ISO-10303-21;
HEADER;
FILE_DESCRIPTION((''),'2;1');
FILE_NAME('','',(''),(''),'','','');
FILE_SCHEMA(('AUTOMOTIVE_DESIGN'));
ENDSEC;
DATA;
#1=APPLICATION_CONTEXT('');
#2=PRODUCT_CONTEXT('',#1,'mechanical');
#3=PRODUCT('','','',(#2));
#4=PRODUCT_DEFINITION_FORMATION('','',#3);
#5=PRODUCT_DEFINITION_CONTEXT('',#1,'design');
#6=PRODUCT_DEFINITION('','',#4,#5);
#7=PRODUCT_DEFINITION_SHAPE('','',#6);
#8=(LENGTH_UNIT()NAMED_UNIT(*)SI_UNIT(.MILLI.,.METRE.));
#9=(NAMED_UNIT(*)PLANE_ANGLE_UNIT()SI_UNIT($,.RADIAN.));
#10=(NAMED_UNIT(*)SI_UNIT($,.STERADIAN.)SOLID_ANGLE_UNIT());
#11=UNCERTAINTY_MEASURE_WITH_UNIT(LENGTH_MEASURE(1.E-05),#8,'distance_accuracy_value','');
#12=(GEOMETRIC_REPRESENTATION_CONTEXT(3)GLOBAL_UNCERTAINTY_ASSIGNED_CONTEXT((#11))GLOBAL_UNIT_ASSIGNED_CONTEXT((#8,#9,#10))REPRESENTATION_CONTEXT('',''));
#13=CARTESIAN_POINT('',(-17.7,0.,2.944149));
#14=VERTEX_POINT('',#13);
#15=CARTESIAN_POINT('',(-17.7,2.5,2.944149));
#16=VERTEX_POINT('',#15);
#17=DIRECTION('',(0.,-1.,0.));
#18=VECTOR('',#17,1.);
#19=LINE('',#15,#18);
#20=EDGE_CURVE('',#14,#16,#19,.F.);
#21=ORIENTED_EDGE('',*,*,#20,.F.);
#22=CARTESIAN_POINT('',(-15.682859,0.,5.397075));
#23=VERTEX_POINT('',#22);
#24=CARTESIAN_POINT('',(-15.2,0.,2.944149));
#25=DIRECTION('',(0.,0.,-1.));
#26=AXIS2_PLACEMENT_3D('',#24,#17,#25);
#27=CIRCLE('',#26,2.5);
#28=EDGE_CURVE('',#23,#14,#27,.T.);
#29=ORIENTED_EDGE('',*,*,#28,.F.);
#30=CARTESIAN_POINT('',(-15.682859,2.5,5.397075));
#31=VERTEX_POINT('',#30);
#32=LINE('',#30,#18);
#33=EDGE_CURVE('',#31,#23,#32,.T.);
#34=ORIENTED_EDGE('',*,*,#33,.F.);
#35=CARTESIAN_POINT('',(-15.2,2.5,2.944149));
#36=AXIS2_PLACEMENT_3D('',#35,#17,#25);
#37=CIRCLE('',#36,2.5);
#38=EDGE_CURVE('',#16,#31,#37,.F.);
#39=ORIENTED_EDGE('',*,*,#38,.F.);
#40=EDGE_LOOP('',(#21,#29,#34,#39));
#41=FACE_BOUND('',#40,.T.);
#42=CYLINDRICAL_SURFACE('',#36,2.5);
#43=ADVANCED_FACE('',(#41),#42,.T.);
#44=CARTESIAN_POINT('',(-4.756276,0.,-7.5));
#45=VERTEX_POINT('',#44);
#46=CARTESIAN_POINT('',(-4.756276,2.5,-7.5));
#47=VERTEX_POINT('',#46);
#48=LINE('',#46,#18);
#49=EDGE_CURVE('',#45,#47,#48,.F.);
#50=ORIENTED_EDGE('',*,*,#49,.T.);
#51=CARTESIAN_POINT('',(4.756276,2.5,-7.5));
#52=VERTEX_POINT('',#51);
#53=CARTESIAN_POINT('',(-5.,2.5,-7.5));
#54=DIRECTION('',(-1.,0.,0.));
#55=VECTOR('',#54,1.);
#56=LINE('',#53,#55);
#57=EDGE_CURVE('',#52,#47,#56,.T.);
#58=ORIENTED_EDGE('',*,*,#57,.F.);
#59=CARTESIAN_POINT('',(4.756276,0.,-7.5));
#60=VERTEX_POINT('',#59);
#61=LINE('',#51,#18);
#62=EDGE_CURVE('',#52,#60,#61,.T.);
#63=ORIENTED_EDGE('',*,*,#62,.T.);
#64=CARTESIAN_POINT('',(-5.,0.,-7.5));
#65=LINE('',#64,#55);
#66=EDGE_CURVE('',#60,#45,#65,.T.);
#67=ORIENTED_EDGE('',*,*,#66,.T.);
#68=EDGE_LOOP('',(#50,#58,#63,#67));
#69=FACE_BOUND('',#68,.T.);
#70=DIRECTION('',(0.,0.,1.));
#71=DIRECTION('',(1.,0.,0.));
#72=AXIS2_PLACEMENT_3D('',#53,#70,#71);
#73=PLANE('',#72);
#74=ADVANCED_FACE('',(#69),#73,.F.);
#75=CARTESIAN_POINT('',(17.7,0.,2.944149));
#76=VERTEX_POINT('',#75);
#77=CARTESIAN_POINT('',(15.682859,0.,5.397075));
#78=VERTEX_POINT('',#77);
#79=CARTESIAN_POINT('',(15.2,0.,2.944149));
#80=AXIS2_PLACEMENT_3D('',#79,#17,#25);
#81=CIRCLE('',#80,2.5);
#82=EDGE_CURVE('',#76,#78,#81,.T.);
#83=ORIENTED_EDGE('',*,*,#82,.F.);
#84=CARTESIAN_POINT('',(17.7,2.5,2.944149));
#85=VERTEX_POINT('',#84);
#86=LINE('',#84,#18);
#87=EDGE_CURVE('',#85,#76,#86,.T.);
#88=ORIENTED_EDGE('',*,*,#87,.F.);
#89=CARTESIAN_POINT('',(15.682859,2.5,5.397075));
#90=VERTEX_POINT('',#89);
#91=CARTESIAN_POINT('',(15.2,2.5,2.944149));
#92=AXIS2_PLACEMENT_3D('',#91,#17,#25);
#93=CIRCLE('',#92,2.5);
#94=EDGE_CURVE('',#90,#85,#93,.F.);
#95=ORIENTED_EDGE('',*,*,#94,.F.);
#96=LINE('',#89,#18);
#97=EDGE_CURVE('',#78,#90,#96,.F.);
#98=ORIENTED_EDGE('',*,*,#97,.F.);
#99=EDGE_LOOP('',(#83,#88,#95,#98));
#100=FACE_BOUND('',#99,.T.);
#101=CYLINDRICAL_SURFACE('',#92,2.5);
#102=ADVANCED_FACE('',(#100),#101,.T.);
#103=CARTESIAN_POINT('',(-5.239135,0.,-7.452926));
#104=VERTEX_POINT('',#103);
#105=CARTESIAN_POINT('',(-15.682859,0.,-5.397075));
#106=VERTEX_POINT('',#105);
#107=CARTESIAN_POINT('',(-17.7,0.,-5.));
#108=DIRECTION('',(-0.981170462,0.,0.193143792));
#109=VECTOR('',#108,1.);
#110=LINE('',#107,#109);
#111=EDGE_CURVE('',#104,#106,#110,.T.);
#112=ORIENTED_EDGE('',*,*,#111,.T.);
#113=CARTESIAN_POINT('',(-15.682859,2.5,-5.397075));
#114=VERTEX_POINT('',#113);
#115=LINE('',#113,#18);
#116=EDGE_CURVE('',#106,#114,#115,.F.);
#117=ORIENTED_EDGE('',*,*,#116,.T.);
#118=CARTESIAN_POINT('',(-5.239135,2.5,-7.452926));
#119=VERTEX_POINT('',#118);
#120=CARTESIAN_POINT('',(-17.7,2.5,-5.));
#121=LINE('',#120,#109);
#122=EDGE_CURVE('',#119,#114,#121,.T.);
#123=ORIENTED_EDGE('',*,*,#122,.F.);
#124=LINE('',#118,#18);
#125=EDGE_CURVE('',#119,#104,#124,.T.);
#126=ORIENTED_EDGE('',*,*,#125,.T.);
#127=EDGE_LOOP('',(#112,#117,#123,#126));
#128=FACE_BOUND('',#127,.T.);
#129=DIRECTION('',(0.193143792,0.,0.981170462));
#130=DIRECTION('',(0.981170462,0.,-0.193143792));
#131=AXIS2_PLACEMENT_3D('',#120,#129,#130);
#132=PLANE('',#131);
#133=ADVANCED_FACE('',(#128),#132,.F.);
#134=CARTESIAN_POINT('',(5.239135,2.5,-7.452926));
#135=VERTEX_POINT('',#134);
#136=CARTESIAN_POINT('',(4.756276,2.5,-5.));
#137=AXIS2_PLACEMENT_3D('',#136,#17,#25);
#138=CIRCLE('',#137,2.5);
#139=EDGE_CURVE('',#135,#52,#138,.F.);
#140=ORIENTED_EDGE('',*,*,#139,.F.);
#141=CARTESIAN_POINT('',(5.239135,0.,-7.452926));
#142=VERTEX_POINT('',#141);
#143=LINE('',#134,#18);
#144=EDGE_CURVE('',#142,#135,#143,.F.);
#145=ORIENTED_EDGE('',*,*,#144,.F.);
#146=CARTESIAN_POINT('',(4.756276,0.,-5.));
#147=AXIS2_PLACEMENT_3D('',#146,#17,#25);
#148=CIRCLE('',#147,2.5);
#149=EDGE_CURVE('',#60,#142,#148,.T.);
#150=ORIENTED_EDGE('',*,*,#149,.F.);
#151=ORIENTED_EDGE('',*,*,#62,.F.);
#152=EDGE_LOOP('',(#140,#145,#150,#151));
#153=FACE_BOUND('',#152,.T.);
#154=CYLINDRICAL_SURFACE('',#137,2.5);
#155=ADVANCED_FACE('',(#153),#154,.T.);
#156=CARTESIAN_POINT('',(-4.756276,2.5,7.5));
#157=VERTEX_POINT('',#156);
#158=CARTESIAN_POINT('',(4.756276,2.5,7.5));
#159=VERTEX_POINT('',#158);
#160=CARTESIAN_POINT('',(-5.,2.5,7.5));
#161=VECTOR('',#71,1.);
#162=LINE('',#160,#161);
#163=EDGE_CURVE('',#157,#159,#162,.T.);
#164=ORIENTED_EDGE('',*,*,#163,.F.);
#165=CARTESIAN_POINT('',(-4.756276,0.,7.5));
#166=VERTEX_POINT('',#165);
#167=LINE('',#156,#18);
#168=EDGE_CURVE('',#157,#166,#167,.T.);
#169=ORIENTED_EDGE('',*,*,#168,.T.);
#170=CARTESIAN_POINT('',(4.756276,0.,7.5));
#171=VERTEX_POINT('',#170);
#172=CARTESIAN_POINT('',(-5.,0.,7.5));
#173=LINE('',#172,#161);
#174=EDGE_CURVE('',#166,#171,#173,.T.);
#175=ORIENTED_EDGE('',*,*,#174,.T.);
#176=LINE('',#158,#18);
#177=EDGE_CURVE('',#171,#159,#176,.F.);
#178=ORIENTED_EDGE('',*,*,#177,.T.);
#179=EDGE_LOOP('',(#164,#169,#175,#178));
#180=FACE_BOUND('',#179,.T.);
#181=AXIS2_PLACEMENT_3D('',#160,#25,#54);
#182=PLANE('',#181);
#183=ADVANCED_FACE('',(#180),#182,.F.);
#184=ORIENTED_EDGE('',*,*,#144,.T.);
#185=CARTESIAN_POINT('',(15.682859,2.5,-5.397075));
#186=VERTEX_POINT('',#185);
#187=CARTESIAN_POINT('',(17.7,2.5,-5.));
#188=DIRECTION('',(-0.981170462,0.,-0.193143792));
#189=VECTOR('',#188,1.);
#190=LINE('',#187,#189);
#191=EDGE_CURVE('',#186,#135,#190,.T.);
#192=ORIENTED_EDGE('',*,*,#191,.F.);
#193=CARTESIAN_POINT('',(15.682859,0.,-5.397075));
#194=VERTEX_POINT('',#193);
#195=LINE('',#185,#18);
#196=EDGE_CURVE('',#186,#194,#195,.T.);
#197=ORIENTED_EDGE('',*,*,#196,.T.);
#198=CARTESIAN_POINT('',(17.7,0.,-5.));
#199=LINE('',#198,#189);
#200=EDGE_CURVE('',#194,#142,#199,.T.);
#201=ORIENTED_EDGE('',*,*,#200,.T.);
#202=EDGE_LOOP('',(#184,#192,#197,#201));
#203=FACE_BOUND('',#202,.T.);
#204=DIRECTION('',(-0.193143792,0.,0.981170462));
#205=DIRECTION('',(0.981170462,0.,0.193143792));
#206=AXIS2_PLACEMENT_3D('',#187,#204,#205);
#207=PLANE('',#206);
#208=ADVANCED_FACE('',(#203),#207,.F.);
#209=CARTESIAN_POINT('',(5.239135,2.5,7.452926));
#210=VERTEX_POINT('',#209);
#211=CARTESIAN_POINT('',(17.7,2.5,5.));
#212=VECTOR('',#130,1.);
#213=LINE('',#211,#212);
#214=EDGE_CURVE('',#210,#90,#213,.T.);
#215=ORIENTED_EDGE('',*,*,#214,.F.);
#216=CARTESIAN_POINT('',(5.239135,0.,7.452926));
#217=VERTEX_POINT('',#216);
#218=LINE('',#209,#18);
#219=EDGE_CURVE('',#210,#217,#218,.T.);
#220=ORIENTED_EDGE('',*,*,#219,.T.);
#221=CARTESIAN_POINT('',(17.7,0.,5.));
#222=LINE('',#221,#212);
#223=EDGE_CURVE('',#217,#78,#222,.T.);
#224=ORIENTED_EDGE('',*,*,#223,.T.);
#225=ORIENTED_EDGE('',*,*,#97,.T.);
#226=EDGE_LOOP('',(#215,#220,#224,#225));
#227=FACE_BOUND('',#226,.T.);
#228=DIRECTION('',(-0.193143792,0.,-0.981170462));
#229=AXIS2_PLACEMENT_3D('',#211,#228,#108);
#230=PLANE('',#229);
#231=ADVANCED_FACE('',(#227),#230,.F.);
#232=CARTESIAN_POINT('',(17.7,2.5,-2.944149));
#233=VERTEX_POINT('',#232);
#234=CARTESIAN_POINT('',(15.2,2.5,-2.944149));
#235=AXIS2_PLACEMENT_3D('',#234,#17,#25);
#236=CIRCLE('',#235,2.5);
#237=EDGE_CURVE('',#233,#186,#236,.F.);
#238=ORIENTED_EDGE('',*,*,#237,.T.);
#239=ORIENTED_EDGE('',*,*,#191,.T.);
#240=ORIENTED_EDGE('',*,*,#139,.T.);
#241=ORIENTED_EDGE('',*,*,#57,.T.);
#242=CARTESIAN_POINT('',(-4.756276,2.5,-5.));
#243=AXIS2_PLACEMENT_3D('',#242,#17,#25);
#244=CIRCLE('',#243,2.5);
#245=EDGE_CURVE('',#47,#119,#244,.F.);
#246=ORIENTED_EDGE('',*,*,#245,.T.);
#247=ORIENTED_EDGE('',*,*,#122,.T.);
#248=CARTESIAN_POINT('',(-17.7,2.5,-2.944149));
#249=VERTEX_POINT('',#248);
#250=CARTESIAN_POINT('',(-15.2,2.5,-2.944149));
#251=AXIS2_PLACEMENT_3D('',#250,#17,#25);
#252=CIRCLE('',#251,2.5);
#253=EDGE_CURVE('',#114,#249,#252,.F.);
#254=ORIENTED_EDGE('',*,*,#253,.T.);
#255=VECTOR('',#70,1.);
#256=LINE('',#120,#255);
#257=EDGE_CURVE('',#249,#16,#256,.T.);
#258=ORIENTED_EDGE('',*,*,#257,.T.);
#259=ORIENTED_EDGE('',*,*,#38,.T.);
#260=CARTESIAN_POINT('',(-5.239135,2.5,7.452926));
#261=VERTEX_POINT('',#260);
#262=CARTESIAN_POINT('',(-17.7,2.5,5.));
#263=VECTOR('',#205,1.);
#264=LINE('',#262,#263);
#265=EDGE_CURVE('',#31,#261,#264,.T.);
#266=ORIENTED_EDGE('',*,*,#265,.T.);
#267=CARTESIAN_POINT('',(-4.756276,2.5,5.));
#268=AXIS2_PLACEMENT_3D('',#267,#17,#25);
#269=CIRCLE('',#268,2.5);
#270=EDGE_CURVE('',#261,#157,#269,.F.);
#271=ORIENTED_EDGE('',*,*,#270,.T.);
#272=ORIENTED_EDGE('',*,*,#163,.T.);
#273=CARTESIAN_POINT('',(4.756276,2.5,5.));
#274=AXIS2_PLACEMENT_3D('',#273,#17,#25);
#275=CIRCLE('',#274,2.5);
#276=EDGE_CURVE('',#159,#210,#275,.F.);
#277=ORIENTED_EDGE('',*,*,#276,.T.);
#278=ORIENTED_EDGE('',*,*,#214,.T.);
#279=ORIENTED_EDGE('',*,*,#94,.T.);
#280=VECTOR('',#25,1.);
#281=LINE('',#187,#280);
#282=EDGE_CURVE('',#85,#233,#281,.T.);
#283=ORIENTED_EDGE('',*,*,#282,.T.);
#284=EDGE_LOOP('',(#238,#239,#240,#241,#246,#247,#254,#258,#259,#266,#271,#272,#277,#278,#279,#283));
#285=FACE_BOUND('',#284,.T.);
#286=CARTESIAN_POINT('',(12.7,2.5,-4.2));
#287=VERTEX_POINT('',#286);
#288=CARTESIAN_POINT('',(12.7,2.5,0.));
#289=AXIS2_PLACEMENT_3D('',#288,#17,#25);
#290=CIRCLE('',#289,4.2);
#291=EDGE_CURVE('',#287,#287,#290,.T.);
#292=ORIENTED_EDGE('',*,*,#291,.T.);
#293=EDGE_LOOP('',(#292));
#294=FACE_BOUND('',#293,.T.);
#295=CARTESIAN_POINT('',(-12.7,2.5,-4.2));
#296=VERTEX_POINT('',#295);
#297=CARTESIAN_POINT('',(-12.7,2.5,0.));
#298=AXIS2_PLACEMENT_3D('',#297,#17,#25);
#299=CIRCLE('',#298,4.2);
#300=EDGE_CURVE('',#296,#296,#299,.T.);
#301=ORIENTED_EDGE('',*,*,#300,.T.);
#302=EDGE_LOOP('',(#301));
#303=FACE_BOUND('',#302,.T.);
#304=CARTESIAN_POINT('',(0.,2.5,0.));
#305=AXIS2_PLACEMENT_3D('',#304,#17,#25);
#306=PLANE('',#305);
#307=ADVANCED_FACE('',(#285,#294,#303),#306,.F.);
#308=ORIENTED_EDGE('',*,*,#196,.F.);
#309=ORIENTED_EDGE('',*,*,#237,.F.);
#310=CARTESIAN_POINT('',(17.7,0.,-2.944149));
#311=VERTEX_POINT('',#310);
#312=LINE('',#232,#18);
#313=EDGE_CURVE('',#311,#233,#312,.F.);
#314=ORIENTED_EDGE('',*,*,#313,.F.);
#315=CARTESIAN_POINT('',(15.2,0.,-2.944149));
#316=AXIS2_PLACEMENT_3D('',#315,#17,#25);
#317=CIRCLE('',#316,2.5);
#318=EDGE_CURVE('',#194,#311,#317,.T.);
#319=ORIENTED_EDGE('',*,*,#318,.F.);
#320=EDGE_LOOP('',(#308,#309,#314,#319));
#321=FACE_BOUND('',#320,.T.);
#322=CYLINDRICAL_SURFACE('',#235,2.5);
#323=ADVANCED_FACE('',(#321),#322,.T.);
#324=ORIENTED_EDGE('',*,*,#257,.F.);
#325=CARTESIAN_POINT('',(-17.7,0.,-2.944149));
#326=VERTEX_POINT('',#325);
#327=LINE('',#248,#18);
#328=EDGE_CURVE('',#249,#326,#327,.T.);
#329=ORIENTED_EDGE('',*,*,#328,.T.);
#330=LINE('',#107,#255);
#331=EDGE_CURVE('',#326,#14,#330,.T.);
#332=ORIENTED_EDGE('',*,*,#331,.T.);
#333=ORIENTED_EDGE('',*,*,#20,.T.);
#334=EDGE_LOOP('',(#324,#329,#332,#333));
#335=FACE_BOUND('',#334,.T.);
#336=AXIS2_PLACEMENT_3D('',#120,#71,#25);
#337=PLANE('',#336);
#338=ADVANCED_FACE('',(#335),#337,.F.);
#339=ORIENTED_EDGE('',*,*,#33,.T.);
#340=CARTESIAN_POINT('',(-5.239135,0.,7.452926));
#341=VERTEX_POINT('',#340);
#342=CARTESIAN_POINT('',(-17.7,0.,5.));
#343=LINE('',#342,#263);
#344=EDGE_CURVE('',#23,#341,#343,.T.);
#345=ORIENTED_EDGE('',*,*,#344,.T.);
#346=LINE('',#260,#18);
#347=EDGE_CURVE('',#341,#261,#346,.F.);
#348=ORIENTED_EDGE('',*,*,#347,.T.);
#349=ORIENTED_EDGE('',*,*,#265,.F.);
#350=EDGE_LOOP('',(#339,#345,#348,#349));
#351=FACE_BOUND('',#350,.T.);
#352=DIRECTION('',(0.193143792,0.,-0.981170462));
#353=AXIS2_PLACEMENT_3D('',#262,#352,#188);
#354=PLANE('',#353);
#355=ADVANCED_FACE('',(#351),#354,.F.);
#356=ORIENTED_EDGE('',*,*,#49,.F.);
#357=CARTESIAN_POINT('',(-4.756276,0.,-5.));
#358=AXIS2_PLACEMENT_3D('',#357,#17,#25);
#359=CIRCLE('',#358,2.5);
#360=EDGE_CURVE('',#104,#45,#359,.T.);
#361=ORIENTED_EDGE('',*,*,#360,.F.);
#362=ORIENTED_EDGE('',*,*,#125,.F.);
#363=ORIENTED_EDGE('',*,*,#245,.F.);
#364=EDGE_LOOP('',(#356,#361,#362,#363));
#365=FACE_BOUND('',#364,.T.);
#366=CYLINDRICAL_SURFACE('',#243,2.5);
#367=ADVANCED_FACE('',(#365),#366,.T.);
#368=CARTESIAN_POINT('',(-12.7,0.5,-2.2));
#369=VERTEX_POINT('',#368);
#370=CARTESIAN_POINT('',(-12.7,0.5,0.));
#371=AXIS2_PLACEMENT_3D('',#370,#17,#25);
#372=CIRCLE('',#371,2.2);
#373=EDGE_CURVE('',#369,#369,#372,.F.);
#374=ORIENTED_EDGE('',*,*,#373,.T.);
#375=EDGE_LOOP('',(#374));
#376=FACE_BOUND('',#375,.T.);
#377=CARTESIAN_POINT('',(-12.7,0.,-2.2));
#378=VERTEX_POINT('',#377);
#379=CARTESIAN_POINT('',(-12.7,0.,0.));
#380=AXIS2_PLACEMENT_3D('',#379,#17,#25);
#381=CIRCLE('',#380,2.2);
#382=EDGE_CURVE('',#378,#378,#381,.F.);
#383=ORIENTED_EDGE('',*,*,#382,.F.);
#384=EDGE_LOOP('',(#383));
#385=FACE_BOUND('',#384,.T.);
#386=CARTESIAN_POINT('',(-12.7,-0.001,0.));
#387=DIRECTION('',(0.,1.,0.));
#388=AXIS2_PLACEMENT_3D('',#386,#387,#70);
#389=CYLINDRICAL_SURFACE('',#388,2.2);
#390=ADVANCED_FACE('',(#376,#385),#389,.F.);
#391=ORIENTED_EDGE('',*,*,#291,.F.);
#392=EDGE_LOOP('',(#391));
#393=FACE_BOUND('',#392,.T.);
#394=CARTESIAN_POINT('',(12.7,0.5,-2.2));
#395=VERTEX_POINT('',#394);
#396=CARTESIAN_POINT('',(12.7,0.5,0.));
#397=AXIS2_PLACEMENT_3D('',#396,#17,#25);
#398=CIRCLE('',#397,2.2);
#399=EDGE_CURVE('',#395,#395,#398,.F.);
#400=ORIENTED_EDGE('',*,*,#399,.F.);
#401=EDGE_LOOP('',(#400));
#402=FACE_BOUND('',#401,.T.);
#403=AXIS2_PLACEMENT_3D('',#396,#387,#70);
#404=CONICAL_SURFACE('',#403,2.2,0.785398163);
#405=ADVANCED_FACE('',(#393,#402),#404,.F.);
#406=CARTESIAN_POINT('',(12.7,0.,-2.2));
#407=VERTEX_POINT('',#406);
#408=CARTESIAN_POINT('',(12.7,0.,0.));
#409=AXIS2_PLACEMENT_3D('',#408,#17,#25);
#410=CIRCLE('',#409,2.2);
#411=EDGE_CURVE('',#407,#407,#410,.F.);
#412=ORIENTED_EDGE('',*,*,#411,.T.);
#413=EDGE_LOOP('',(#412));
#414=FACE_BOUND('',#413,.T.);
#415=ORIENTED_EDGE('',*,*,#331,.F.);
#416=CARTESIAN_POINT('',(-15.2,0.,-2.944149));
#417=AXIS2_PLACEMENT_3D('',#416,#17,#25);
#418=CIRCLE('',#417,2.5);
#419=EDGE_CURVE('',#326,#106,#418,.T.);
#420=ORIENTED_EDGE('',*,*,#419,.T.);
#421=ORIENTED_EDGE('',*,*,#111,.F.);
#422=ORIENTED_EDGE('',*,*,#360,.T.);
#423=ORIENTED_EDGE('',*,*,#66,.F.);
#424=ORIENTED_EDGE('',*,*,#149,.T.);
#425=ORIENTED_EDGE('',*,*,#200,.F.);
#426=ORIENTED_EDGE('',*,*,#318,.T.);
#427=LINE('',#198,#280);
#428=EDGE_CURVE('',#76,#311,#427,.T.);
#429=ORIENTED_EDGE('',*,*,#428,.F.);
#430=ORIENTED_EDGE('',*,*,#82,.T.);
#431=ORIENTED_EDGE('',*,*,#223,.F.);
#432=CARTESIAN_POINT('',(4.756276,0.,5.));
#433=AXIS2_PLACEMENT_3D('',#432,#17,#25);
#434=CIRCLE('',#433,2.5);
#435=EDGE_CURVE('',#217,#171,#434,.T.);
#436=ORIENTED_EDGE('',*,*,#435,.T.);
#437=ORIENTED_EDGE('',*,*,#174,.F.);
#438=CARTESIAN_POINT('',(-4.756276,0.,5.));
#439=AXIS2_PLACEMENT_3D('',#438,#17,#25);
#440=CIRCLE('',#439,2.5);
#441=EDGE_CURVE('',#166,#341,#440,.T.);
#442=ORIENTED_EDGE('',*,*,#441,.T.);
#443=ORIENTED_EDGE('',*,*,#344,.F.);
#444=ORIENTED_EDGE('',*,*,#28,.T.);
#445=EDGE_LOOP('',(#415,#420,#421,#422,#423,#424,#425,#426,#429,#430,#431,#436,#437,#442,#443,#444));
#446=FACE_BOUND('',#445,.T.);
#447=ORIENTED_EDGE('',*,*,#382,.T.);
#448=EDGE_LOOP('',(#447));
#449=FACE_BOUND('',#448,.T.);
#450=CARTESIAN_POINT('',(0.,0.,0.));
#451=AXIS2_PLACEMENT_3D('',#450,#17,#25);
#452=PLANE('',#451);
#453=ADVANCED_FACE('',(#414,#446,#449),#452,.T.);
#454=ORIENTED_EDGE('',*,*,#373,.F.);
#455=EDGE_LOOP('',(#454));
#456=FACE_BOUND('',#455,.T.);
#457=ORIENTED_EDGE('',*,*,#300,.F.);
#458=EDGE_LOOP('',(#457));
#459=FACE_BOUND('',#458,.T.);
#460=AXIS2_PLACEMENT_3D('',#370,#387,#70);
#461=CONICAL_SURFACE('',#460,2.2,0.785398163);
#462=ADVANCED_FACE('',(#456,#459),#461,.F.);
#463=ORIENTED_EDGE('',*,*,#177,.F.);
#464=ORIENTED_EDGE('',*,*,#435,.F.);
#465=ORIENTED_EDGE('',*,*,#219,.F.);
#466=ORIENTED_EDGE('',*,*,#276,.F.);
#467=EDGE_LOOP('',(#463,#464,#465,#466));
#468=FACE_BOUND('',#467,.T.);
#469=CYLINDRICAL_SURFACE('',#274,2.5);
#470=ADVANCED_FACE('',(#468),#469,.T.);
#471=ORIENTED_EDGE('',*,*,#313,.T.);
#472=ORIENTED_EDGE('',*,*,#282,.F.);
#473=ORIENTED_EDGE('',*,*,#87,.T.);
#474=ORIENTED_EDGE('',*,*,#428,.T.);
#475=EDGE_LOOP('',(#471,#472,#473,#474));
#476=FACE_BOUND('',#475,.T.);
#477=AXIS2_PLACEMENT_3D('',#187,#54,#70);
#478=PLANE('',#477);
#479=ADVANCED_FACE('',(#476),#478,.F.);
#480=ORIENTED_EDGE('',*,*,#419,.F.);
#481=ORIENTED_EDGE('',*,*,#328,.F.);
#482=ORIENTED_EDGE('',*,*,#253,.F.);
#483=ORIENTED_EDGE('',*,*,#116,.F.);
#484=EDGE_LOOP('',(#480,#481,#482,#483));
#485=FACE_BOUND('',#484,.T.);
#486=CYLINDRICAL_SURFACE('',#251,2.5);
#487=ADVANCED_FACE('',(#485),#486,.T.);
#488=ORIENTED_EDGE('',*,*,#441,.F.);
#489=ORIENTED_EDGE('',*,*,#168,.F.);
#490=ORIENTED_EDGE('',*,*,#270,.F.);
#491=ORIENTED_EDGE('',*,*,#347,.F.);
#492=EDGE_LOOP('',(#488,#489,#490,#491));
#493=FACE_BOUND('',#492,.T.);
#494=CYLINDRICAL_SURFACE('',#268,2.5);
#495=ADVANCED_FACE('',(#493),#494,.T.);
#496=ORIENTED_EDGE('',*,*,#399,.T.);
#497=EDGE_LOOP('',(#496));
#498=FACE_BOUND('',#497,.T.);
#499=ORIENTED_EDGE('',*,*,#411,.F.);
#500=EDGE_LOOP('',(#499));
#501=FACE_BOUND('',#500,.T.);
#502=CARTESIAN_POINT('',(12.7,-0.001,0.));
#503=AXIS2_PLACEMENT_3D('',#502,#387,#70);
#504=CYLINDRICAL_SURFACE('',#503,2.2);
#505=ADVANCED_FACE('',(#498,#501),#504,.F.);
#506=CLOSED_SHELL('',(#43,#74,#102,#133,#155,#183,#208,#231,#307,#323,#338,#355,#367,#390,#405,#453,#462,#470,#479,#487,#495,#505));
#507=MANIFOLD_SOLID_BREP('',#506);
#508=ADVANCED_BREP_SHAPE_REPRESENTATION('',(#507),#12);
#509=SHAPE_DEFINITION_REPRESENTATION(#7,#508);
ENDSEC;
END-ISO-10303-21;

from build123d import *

# Parameters (mm, degrees)
BOSS_EXTRUDE1_DEPTH = 2.5
CUT_EXTRUDE2_REACH  = 21.385
SKETCH2_R           = 2.2
CHAMFER1_SIZE       = 2
FILLET1_R           = 2.5


with BuildPart() as part:
    # Sketch1 → Boss-Extrude1 (new body)
    with BuildSketch(Plane(origin=(0, 0, 0), x_dir=(1, 0, 0), z_dir=(0, 1, 0))):
        Polygon((-17.7, -5), (-5, -7.5), (5, -7.5), (17.7, -5), (17.7, 5), (5, 7.5), (-5, 7.5), (-17.7, 5), align=None)
    extrude(amount=BOSS_EXTRUDE1_DEPTH)

    # Sketch2 → Cut-Extrude2 (cut, up to next)
    with BuildSketch(Plane(origin=(0, 2.5, 0), x_dir=(1, 0, 0), z_dir=(0, 1, 0)), mode=Mode.PRIVATE) as cut_extrude2_sk1:
        with Locations(Location((-12.7, 0, 0), (0, 0, 270))):
            Circle(SKETCH2_R)
    cut_extrude2_tool1 = extrude(cut_extrude2_sk1.sketch, amount=-CUT_EXTRUDE2_REACH, mode=Mode.PRIVATE) & part.part
    # Sketch2 → Cut-Extrude2 (cut, up to next)
    with BuildSketch(Plane(origin=(0, 2.5, 0), x_dir=(1, 0, 0), z_dir=(0, 1, 0)), mode=Mode.PRIVATE) as cut_extrude2_sk2:
        with Locations(Location((12.7, 0, 0), (0, 0, 270))):
            Circle(SKETCH2_R)
    cut_extrude2_tool2 = extrude(cut_extrude2_sk2.sketch, amount=-CUT_EXTRUDE2_REACH, mode=Mode.PRIVATE) & part.part
    add(cut_extrude2_tool1.solids().sort_by_distance((-12.7, 2.5, 0))[0], mode=Mode.SUBTRACT)
    add(cut_extrude2_tool2.solids().sort_by_distance((12.7, 2.5, 0))[0], mode=Mode.SUBTRACT)

    # Chamfer1
    chamfer1_edges = [part.edges().sort_by_distance(p)[0] for p in [
        (-12.7, 2.5, -2.2),
        (12.7, 2.5, -2.2),
    ]]
    chamfer(chamfer1_edges, length=CHAMFER1_SIZE)

    # Fillet1
    fillet1_edges = [part.edges().sort_by_distance(p)[0] for p in [
        (5, 1.25, -7.5),
        (17.7, 1.25, -5),
        (17.7, 1.25, 5),
        (5, 1.25, 7.5),
        (-5, 1.25, 7.5),
        (-17.7, 1.25, 5),
        (-17.7, 1.25, -5),
        (-5, 1.25, -7.5),
    ]]
    fillet(fillet1_edges, radius=FILLET1_R)


solid = part.part
